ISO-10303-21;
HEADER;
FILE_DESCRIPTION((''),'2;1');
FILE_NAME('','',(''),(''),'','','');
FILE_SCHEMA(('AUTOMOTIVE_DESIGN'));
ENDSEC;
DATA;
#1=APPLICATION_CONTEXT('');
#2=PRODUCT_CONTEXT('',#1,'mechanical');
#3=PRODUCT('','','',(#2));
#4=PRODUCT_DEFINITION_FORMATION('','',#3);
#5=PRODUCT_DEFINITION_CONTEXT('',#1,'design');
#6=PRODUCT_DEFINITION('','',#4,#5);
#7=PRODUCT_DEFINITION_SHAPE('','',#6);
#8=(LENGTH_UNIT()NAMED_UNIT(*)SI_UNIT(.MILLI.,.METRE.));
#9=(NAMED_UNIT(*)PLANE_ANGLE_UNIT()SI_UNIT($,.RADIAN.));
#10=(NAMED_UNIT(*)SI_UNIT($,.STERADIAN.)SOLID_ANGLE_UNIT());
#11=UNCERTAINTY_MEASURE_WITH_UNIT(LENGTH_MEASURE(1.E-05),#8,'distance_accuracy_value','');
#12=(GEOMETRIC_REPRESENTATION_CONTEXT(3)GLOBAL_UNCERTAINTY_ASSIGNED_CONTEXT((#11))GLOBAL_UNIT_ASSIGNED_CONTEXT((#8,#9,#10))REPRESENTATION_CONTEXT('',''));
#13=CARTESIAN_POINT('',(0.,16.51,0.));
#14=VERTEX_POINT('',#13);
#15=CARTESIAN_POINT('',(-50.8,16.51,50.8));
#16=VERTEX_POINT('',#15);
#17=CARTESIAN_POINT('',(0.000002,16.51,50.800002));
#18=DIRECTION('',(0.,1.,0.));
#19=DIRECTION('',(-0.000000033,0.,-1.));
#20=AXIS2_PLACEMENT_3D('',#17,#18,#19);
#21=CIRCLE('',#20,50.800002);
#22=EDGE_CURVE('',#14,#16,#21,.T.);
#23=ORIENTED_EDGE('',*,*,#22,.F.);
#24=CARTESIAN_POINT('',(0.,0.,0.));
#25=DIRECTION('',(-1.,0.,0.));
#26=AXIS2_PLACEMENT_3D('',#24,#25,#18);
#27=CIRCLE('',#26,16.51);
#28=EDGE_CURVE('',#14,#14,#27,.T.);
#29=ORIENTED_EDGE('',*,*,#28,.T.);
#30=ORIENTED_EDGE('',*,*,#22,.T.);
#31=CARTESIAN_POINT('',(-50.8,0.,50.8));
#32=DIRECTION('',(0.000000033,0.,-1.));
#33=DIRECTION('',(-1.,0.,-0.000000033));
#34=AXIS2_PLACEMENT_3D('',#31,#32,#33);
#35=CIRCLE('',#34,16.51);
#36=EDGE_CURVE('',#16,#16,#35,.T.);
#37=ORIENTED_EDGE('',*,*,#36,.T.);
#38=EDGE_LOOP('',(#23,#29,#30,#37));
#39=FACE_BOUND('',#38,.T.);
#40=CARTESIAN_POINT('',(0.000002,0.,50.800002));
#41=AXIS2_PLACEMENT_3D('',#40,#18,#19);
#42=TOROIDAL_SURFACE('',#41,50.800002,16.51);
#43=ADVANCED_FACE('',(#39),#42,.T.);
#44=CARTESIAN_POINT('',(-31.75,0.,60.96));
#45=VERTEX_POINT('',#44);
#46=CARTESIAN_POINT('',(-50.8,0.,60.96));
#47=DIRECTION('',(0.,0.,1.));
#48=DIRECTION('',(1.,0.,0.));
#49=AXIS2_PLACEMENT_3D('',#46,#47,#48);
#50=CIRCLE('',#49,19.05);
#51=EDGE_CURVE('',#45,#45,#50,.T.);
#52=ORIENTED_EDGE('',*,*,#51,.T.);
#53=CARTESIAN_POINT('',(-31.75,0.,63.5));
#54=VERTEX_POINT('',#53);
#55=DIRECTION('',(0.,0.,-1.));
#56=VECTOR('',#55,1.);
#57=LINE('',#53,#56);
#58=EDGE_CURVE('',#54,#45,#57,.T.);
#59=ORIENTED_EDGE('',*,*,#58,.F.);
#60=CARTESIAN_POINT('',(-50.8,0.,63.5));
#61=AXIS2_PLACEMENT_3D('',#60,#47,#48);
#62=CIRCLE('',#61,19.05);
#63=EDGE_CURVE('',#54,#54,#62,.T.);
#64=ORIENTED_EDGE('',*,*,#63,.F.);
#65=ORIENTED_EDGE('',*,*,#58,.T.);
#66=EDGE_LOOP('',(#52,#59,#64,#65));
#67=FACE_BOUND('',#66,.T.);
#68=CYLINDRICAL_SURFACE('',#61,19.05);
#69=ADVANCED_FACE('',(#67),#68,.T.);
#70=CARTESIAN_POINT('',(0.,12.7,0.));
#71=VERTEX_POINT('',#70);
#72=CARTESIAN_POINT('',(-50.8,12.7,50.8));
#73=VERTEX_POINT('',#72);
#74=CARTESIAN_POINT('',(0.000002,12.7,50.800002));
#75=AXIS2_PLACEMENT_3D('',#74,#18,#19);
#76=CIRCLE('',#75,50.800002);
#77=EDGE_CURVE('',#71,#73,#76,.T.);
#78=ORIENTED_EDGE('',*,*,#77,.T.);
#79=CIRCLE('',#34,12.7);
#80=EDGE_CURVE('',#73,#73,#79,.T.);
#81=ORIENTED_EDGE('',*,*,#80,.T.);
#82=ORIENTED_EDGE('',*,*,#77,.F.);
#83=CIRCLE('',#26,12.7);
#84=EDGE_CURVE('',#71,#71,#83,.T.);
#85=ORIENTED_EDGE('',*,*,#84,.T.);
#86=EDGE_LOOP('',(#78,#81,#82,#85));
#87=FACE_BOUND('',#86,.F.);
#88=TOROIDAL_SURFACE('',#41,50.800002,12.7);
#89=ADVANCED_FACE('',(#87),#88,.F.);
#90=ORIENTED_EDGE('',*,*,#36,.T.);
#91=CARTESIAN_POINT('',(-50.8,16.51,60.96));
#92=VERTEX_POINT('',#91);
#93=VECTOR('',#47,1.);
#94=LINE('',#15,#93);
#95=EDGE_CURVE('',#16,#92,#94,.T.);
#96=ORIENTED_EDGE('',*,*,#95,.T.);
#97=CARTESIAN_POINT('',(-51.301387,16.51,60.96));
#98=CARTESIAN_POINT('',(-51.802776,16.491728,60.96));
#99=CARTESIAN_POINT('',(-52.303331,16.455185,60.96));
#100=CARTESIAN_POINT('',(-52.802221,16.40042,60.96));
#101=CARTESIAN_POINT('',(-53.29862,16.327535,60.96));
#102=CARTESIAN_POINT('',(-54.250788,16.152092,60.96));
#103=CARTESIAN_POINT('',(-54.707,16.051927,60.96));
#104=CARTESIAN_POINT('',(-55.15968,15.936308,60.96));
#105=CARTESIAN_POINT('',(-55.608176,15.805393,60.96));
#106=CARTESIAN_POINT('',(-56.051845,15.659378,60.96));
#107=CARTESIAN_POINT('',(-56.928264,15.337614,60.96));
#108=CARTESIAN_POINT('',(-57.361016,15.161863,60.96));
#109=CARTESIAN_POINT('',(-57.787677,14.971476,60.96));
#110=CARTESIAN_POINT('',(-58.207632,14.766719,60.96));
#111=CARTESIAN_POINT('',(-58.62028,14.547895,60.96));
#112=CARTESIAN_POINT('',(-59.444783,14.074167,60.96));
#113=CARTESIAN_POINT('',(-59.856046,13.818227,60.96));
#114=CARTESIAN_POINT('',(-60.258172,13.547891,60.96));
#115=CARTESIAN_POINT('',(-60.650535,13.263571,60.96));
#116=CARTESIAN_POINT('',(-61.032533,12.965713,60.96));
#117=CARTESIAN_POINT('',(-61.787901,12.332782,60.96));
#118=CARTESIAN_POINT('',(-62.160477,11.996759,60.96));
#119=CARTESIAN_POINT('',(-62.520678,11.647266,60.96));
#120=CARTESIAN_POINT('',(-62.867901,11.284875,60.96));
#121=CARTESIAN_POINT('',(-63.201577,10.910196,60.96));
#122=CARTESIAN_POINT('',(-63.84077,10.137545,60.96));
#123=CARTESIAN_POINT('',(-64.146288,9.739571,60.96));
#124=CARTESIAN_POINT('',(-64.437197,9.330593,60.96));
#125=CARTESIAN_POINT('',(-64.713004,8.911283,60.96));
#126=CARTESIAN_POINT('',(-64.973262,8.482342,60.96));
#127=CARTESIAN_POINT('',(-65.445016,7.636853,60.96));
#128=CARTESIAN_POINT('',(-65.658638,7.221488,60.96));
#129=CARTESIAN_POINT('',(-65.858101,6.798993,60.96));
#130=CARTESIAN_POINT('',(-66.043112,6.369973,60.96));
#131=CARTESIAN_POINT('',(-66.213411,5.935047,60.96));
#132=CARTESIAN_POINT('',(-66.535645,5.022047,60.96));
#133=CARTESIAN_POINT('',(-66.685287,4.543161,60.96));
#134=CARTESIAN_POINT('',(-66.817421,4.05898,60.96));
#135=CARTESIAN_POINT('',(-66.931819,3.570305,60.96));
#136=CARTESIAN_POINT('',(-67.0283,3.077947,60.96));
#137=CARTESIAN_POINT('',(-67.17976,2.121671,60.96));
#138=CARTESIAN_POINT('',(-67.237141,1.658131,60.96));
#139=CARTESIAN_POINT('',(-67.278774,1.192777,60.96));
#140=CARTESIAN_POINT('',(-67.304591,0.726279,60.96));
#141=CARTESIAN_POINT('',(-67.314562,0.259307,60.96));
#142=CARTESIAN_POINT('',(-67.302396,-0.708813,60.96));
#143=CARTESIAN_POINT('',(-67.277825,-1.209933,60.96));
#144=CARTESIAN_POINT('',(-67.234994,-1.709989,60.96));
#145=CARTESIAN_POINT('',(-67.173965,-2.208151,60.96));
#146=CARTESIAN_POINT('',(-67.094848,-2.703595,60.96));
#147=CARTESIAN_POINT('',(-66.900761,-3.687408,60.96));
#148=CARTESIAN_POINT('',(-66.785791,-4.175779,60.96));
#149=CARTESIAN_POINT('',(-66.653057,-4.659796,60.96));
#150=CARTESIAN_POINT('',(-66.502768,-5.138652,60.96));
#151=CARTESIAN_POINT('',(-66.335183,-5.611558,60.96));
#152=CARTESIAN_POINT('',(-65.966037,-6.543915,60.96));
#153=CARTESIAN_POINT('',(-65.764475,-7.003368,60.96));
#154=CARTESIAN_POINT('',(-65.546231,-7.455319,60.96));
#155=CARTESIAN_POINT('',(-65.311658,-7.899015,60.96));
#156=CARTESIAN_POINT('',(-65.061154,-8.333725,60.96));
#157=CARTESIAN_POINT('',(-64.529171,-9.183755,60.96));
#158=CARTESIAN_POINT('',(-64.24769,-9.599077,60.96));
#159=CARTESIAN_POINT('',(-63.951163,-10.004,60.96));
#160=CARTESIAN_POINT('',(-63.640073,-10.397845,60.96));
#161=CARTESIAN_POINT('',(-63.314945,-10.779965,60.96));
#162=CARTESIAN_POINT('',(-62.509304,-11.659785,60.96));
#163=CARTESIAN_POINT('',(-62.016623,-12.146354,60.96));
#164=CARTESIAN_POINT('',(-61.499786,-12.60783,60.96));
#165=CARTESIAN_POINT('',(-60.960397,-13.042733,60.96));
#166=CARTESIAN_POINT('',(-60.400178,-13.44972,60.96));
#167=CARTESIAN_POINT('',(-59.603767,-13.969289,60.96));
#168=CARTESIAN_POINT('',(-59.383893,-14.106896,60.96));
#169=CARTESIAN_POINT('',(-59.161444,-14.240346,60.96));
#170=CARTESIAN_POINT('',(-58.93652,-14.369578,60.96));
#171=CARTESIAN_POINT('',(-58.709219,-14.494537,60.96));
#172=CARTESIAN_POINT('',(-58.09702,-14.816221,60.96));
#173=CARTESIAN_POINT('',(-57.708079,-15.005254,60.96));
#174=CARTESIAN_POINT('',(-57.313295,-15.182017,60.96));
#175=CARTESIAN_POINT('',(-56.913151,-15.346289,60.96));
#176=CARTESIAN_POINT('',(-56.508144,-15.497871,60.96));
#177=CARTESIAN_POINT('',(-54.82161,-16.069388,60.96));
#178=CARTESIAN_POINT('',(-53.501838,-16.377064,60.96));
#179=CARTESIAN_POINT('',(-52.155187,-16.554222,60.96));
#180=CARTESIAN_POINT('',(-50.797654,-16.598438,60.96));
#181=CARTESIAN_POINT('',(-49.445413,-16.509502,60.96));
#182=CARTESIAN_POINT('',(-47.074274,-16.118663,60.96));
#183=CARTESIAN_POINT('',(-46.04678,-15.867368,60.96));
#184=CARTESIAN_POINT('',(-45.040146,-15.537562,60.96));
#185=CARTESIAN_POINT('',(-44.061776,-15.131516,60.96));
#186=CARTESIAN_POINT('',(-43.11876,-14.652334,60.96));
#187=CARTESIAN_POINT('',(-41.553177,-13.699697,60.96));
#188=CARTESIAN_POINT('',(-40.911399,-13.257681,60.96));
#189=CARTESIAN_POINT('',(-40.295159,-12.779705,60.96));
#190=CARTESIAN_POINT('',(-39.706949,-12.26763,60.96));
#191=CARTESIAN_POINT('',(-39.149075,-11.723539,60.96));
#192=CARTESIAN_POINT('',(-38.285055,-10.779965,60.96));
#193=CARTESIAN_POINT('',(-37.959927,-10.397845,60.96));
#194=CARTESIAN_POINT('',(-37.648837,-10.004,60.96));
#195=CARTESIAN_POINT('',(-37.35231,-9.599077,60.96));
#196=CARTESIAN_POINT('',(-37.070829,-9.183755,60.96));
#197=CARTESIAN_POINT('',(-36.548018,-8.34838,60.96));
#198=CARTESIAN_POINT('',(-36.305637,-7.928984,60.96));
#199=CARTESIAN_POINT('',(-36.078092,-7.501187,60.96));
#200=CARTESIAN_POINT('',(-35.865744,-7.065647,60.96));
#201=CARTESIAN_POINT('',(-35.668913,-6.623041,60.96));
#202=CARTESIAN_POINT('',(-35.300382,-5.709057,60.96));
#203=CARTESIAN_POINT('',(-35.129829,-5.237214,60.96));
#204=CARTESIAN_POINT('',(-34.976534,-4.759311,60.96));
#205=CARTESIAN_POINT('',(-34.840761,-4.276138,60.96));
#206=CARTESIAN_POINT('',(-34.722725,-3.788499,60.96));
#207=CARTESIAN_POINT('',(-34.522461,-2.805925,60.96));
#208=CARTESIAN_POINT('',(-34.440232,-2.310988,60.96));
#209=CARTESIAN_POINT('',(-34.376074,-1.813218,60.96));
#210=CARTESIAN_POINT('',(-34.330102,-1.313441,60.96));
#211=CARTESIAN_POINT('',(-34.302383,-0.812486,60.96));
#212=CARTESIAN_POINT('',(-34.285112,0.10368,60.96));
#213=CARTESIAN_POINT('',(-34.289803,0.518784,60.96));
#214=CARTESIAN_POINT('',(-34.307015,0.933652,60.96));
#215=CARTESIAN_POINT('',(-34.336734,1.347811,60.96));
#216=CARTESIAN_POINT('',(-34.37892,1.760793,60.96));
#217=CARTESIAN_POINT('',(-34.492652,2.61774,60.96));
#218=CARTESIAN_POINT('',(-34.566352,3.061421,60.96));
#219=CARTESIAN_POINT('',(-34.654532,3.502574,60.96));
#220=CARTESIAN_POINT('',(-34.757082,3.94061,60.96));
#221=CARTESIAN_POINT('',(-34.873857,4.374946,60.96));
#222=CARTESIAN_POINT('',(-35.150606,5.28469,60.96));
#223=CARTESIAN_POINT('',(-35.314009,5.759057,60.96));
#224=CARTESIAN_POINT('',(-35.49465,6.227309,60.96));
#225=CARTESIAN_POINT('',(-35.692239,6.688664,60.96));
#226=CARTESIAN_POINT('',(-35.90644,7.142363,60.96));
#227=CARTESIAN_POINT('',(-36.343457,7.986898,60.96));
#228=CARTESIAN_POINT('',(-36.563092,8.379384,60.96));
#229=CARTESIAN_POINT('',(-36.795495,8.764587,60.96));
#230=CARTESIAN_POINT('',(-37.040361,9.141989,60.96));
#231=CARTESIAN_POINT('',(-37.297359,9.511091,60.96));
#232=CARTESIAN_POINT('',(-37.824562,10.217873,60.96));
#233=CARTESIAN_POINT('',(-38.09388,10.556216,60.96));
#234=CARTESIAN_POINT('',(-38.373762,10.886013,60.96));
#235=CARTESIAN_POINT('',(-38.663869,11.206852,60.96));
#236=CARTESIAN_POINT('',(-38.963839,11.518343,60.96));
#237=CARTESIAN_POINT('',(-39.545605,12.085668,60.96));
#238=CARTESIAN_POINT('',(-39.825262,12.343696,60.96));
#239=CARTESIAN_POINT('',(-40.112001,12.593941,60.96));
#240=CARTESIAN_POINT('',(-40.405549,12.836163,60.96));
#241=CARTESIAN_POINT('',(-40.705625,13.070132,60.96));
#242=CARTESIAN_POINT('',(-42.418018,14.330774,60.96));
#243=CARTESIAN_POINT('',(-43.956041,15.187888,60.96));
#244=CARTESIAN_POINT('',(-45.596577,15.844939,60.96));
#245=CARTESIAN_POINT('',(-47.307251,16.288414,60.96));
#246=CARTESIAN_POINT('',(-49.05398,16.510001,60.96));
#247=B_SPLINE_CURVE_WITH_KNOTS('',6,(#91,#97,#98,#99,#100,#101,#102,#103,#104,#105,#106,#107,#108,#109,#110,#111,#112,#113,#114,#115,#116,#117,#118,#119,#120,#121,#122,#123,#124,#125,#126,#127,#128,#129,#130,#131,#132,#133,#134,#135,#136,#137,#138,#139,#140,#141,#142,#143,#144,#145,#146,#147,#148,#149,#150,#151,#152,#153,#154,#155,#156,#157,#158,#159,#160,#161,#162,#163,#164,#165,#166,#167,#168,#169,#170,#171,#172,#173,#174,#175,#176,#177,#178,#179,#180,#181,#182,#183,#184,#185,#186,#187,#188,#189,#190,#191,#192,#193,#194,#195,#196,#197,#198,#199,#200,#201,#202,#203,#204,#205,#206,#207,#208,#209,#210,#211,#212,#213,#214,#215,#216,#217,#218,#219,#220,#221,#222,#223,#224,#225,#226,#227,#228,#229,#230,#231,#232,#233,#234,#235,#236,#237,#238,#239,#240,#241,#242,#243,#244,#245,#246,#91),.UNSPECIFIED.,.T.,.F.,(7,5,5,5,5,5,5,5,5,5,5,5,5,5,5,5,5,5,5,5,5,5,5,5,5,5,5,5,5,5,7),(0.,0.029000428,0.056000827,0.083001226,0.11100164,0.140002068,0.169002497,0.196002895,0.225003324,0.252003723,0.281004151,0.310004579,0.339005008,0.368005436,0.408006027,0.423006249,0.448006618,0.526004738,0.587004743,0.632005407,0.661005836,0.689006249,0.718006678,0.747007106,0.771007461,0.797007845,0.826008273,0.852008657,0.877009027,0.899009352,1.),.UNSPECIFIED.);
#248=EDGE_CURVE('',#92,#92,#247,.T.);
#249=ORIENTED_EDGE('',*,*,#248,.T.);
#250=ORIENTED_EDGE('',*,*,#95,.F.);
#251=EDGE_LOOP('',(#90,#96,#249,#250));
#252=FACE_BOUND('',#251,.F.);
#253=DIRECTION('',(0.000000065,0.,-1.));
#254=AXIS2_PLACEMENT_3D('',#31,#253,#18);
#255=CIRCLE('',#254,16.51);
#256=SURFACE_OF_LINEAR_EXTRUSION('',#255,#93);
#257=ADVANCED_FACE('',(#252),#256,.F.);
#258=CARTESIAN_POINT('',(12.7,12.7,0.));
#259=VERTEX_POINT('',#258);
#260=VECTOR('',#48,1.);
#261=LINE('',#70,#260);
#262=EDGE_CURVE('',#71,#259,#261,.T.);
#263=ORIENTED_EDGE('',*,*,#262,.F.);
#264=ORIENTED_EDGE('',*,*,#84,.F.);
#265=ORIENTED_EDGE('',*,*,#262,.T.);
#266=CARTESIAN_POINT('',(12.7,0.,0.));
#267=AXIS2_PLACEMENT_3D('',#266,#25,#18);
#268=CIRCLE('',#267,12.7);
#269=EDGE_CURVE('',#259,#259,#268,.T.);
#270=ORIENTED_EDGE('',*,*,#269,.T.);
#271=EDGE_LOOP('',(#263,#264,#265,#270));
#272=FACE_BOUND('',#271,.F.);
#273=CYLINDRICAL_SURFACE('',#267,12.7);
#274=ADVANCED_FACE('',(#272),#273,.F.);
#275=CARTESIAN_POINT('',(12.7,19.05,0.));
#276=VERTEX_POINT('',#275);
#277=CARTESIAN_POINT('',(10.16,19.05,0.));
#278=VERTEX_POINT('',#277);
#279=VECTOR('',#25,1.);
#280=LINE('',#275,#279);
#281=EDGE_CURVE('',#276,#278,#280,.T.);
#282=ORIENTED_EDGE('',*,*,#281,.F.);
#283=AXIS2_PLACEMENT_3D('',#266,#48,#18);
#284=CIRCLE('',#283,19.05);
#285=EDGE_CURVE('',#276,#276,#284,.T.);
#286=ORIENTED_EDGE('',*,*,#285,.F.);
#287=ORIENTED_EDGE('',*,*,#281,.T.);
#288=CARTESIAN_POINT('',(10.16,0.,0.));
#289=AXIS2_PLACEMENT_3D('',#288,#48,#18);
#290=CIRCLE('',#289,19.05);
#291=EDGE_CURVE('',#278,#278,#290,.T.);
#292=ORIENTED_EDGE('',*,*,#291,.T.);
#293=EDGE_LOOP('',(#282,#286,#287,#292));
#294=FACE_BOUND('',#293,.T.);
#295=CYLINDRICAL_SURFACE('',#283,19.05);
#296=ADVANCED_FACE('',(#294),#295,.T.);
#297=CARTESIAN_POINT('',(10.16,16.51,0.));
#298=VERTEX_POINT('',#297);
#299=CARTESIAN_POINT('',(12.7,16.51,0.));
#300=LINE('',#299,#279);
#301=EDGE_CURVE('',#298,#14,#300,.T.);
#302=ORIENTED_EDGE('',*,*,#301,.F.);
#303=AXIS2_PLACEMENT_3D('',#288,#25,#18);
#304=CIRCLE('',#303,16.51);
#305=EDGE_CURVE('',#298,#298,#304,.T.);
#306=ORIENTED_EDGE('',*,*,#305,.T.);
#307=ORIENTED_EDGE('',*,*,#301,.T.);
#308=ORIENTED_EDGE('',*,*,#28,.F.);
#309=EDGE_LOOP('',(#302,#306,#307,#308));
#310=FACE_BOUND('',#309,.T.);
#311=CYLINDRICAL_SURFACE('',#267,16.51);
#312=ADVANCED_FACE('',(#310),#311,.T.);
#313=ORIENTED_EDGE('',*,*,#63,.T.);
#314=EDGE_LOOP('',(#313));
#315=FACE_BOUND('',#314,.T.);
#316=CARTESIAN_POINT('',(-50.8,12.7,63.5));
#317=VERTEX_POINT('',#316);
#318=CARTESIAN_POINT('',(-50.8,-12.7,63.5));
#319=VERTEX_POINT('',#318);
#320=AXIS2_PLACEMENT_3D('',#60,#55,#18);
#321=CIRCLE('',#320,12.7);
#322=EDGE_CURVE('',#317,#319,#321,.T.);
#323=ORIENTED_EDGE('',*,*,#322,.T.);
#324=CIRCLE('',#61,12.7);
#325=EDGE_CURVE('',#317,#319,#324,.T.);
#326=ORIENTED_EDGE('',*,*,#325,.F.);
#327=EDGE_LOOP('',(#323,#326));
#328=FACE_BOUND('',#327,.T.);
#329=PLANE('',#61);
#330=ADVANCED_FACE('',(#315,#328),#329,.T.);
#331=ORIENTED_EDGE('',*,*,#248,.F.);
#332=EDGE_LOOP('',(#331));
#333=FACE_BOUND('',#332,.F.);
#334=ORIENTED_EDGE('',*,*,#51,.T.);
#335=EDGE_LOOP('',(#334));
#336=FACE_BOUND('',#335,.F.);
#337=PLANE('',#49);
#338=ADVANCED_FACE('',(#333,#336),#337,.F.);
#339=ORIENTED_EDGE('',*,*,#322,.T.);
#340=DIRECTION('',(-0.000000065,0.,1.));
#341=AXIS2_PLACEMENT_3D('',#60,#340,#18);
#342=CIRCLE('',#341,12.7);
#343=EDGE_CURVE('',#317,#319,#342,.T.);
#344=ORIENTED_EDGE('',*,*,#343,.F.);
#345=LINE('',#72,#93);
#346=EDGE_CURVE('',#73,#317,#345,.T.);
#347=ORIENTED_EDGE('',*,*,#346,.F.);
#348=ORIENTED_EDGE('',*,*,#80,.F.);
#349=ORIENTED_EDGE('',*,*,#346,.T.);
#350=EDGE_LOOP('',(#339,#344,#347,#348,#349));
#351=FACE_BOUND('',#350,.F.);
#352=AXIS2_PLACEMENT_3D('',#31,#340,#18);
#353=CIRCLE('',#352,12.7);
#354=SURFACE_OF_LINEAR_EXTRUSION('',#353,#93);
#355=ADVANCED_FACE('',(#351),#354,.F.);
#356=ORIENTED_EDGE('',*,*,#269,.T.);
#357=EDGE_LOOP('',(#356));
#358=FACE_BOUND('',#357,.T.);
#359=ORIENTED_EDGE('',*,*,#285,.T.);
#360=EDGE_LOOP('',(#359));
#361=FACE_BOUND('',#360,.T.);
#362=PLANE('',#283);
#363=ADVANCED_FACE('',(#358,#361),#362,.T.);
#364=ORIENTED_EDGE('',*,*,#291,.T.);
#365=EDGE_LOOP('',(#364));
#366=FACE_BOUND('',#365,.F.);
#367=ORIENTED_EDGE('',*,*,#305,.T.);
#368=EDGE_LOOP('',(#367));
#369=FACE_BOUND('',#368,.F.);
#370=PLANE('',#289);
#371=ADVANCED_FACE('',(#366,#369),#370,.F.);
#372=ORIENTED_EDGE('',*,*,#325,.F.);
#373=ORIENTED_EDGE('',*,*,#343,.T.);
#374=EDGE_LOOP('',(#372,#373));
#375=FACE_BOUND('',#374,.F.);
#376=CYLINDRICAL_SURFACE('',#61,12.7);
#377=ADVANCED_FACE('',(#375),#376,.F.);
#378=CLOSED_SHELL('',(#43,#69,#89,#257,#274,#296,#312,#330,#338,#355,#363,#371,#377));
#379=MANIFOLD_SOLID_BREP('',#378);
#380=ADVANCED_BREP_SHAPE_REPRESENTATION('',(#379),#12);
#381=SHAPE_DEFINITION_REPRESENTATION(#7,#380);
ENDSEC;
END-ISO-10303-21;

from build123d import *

# Parameters (mm, degrees)
F2_R     = 16.51
F2_R_2   = 12.7
F4_R     = 19.05
F4_R_2   = 12.7
F5_DEPTH = 2.54
F6_R     = 19.05
F6_R_2   = 12.7
F7_DEPTH = 2.54


with BuildPart() as f3:
    # F3: sweep along a path in F0
    with BuildLine(Plane.XZ) as f3_path:
        Line((12.7, 0), (0, 0))
        ThreePointArc((0, 0), (-35.921024, 14.878976), (-50.8, 50.8))
        Line((-50.8, 50.8), (-50.8, 63.5))
    # F2 (on offset) → F3 (sweep)
    with BuildSketch(Plane.YZ.offset(12.7)):
        Circle(F2_R)
        Circle(F2_R_2, mode=Mode.SUBTRACT)
    sweep(path=f3_path.line)

    # F4 (on face) → F5 (join)
    with BuildSketch(Plane.YZ.offset(12.7)):
        Circle(F4_R)
        Circle(F4_R_2, mode=Mode.SUBTRACT)
    extrude(amount=-F5_DEPTH)

    # F6 (on face) → F7 (join)
    with BuildSketch(Plane.XY.offset(63.5)):
        with Locations((-50.8, 0)):
            Circle(F6_R)
        with Locations((-50.8, 0)):
            Circle(F6_R_2, mode=Mode.SUBTRACT)
    extrude(amount=-F7_DEPTH)


solid = f3.part
